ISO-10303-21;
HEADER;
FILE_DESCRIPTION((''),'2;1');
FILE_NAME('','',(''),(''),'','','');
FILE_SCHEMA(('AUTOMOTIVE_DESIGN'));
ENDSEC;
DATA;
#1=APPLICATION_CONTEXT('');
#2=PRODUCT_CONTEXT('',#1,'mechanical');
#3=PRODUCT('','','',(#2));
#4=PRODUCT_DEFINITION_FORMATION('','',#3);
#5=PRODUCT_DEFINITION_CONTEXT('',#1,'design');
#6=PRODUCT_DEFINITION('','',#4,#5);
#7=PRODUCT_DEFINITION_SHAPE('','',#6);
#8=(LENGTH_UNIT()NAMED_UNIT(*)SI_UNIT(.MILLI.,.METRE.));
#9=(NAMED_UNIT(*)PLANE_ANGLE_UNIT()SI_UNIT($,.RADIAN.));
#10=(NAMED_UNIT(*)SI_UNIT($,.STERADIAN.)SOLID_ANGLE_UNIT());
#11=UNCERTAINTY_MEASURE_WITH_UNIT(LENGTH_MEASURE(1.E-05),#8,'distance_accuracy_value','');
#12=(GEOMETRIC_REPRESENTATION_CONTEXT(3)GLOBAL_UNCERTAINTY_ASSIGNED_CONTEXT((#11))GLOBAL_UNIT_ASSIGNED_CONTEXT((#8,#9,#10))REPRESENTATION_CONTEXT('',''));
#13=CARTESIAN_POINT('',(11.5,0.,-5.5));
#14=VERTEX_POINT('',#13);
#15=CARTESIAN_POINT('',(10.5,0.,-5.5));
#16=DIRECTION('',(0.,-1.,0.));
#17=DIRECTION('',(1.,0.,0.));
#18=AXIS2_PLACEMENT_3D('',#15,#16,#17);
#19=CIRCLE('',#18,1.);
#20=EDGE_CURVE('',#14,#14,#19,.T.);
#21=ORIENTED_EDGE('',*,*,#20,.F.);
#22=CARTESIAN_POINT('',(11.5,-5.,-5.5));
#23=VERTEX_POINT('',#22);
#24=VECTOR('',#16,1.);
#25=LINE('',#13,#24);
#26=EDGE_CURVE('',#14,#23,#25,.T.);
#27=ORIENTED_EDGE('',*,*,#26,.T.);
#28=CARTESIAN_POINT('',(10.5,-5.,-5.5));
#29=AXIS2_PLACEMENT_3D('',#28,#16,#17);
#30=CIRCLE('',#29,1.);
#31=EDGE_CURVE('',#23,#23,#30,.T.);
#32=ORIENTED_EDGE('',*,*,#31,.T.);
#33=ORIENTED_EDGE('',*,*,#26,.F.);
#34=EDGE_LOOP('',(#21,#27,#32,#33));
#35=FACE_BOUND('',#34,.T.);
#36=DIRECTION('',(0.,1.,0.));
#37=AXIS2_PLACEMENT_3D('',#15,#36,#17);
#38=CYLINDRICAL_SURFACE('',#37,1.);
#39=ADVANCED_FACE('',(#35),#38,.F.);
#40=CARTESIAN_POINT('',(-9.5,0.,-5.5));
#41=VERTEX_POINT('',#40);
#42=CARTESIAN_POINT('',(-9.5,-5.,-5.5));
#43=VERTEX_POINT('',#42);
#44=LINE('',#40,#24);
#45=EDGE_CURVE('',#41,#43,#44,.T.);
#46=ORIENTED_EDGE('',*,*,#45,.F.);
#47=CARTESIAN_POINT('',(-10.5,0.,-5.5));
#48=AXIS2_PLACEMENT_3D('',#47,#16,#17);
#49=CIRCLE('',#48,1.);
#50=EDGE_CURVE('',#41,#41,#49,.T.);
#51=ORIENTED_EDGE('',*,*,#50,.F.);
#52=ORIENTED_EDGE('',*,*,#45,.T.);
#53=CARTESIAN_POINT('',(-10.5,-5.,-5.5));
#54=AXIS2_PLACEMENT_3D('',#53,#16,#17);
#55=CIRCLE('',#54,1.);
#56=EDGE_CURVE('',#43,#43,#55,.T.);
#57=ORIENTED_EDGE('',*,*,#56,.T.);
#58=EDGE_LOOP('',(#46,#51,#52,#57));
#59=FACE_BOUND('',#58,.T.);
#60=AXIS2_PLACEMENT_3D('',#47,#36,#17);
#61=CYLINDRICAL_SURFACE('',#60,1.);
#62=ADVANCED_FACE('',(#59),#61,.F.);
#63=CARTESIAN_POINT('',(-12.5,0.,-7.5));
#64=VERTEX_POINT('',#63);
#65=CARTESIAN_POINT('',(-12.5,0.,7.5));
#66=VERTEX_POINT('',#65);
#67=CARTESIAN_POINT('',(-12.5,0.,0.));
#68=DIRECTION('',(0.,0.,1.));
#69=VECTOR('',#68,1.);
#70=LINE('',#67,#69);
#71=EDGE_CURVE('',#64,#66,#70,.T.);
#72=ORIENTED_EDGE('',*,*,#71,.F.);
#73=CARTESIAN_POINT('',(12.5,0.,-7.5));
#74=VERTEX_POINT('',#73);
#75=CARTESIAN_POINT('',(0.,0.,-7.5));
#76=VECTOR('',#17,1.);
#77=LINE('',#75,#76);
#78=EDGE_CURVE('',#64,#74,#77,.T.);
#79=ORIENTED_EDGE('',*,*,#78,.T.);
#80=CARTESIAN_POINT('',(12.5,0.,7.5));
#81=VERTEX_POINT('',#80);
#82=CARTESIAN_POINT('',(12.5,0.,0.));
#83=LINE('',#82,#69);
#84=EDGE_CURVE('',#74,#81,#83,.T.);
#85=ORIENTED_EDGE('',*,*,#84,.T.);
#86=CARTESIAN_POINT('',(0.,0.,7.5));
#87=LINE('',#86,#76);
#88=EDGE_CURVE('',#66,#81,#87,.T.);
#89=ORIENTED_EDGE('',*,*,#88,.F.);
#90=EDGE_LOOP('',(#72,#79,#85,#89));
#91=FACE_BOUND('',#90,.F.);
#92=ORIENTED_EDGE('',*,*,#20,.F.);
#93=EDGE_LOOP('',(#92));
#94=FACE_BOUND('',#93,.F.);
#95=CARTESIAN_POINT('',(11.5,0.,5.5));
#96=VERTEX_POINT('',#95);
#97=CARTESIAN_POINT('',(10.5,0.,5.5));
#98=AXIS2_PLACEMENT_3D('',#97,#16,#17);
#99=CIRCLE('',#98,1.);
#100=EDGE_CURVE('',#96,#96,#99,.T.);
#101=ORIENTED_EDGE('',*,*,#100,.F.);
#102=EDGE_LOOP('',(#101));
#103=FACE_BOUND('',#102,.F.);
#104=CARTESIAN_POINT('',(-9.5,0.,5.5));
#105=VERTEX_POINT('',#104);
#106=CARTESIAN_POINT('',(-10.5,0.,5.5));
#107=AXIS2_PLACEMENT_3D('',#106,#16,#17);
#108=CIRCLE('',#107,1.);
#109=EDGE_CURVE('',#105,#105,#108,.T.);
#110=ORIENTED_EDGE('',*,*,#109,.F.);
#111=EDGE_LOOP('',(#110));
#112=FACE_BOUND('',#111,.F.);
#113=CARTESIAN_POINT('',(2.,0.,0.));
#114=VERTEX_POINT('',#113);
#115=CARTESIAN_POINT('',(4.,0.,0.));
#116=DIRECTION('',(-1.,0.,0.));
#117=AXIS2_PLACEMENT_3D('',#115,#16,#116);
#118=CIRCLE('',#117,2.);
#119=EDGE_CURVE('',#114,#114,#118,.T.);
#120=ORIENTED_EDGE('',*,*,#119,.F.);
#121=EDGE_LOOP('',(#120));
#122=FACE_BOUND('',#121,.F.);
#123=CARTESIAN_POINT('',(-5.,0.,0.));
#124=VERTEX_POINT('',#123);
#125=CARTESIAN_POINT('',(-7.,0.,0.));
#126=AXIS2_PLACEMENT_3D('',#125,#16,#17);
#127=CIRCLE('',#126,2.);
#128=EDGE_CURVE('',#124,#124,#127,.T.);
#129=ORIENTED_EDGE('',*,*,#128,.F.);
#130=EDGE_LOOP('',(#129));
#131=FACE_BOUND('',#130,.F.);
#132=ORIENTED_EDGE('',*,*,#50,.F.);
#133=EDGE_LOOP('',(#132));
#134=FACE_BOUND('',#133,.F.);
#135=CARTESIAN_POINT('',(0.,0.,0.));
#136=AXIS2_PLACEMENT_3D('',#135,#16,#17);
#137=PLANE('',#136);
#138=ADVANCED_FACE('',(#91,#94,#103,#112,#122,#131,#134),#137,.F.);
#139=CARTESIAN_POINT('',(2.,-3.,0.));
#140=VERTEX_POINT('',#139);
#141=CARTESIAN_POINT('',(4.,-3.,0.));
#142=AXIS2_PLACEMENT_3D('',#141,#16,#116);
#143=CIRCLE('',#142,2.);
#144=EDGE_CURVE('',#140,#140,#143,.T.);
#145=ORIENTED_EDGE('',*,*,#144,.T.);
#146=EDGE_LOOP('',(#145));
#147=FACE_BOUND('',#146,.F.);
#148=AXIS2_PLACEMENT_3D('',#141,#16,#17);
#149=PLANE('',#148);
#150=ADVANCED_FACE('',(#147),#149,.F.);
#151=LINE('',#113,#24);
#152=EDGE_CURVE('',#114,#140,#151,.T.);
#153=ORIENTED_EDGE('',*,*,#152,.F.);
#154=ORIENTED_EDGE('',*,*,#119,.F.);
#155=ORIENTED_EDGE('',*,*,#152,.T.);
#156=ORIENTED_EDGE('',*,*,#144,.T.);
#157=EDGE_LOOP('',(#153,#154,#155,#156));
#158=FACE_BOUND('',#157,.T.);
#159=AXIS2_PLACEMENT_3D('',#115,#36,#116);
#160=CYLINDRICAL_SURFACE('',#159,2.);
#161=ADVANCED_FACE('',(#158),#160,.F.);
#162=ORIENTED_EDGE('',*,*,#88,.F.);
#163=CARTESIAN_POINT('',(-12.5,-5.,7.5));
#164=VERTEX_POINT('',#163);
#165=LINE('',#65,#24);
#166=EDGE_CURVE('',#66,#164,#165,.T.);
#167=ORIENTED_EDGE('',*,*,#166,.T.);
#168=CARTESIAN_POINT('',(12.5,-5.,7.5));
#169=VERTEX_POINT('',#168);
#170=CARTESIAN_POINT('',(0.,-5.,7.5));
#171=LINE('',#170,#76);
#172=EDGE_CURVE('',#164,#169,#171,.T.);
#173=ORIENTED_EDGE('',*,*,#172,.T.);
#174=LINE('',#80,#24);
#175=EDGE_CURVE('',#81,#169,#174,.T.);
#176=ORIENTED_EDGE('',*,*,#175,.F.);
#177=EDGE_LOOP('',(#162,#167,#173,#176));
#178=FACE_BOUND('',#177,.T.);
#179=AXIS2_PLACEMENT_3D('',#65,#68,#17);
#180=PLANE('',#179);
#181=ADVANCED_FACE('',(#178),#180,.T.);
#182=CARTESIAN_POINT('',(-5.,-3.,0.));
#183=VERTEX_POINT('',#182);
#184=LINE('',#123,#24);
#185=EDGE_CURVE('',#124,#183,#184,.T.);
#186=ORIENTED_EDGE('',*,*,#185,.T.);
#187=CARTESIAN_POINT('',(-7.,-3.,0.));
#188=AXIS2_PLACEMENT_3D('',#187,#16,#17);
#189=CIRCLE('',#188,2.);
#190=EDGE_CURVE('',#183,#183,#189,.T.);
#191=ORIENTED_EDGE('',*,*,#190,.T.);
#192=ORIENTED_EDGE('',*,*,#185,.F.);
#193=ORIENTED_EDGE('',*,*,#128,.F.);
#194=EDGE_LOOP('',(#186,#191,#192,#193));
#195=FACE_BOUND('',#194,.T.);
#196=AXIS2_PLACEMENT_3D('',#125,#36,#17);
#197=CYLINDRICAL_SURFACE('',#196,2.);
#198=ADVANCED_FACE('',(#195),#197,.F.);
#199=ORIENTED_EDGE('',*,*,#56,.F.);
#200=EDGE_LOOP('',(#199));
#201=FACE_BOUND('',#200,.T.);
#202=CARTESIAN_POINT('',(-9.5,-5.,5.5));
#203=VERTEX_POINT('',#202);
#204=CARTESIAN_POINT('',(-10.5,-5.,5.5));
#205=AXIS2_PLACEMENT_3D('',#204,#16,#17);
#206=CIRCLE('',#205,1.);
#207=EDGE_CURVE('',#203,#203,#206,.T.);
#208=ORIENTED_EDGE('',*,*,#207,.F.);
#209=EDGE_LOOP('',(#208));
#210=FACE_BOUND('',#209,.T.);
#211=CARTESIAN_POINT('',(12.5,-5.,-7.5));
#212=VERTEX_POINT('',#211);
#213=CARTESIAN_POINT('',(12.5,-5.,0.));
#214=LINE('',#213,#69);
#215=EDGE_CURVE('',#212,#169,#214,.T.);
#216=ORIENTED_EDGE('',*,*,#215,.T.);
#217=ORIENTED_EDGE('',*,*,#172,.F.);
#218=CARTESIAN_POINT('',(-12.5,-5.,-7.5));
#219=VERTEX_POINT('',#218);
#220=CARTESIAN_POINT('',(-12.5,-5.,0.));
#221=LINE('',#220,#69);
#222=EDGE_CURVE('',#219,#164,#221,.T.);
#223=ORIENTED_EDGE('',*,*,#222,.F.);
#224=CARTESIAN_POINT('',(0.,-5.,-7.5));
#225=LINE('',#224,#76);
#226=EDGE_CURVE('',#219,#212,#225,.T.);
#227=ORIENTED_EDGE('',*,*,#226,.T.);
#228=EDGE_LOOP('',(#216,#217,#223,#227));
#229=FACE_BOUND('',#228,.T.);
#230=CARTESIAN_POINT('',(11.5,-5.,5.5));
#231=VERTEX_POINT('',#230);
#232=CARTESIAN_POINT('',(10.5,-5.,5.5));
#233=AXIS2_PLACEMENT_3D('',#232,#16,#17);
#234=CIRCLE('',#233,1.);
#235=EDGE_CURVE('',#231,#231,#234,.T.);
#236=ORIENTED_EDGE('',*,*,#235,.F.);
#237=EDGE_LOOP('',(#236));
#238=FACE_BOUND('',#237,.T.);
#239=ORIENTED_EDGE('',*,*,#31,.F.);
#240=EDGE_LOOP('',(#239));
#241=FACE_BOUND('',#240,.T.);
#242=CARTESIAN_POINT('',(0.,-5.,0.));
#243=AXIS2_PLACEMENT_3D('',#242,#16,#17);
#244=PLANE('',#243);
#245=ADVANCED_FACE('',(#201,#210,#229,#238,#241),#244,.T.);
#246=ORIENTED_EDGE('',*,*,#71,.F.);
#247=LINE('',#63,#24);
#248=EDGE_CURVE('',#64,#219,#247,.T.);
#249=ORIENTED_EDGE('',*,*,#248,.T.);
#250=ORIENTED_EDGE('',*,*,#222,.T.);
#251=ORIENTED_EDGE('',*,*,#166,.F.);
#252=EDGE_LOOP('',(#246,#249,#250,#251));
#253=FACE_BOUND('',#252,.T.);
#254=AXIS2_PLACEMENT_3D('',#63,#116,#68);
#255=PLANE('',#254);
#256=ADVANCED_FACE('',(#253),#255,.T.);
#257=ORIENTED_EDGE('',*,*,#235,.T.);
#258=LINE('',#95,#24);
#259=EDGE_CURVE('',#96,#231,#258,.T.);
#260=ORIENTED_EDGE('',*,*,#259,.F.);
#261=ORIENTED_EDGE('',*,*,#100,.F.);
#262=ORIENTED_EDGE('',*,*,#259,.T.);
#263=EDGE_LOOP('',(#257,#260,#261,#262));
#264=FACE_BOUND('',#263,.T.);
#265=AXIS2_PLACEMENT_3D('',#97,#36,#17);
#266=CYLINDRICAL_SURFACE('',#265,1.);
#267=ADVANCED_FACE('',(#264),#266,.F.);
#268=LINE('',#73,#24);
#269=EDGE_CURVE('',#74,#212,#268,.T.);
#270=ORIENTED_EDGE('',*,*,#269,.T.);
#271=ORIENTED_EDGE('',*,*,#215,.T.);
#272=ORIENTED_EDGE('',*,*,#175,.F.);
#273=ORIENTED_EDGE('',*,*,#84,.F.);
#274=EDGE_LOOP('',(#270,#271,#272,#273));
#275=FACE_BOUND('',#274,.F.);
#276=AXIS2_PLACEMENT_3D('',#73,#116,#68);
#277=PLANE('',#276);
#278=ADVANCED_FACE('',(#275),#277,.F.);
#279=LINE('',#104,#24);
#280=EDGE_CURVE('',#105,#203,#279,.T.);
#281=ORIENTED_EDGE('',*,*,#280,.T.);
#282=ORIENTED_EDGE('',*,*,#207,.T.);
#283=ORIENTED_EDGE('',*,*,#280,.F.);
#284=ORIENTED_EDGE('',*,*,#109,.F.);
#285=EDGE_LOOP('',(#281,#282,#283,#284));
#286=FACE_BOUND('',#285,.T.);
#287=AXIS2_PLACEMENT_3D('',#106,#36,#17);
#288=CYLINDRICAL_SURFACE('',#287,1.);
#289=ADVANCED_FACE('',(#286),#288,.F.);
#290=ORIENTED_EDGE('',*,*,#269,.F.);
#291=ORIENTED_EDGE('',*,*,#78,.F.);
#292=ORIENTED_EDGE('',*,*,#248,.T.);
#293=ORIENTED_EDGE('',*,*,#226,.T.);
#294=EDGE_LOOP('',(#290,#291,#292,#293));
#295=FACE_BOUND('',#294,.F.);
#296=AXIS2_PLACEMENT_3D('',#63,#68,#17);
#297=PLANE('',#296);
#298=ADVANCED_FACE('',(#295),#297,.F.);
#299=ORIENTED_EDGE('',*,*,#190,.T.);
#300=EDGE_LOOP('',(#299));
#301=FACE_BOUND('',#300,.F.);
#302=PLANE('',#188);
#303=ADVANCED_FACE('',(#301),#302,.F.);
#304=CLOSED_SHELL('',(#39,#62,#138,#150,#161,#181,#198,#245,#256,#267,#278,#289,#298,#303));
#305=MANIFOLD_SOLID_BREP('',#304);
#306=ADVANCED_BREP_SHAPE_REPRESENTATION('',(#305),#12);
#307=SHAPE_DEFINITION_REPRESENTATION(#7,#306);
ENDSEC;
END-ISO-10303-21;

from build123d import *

# Parameters (mm, degrees)
F0_W     = 25
F0_H     = 15
F0_R     = 1
F0_R_2   = 2
F0_R_3   = 0.5
F1_DEPTH = 5
F2_DEPTH = 3


with BuildPart() as f1:
    # F0 (on Front) → F1 (new body)
    with BuildSketch(Plane.XZ):
        Rectangle(F0_W, F0_H)
        with Locations((-10.5, -5.5)):
            Circle(F0_R, mode=Mode.SUBTRACT)
        with Locations((10.5, -5.5)):
            Circle(F0_R, mode=Mode.SUBTRACT)
        with Locations((-7, 0)):
            Circle(F0_R_2, mode=Mode.SUBTRACT)
        with Locations((-10.5, 5.5)):
            Circle(F0_R, mode=Mode.SUBTRACT)
        with BuildLine():
            ThreePointArc((6, 0), (4, -2), (2, 0))
            ThreePointArc((2, 0), (4, 2), (6, 0))
        make_face(mode=Mode.SUBTRACT)
        with Locations((10.5, 5.5)):
            Circle(F0_R, mode=Mode.SUBTRACT)
        with Locations((-7, 0)):
            Circle(F0_R_2)
        with Locations((-7, 0)):
            Circle(F0_R_3, mode=Mode.SUBTRACT)
        with BuildLine():
            ThreePointArc((6, 0), (4, 2), (2, 0))
            ThreePointArc((2, 0), (4, -2), (6, 0))
        make_face()
        with BuildLine():
            ThreePointArc((4.5, 0), (4, -0.5), (3.5, 0))
            ThreePointArc((3.5, 0), (4, 0.5), (4.5, 0))
        make_face(mode=Mode.SUBTRACT)
        with Locations((-7, 0)):
            Circle(F0_R_3)
        with BuildLine():
            ThreePointArc((4.5, 0), (4, 0.5), (3.5, 0))
            ThreePointArc((3.5, 0), (4, -0.5), (4.5, 0))
        make_face()
    extrude(amount=F1_DEPTH)

    # F0 (on Front) → F2 (cut)
    with BuildSketch(Plane.XZ):
        with Locations((-7, 0)):
            Circle(F0_R_2)
        with Locations((-7, 0)):
            Circle(F0_R_3, mode=Mode.SUBTRACT)
        with BuildLine():
            ThreePointArc((6, 0), (4, 2), (2, 0))
            ThreePointArc((2, 0), (4, -2), (6, 0))
        make_face()
        with BuildLine():
            ThreePointArc((4.5, 0), (4, -0.5), (3.5, 0))
            ThreePointArc((3.5, 0), (4, 0.5), (4.5, 0))
        make_face(mode=Mode.SUBTRACT)
        with BuildLine():
            ThreePointArc((4.5, 0), (4, 0.5), (3.5, 0))
            ThreePointArc((3.5, 0), (4, -0.5), (4.5, 0))
        make_face()
        with Locations((-7, 0)):
            Circle(F0_R_3)
    extrude(amount=F2_DEPTH, mode=Mode.SUBTRACT)


solid = f1.part
